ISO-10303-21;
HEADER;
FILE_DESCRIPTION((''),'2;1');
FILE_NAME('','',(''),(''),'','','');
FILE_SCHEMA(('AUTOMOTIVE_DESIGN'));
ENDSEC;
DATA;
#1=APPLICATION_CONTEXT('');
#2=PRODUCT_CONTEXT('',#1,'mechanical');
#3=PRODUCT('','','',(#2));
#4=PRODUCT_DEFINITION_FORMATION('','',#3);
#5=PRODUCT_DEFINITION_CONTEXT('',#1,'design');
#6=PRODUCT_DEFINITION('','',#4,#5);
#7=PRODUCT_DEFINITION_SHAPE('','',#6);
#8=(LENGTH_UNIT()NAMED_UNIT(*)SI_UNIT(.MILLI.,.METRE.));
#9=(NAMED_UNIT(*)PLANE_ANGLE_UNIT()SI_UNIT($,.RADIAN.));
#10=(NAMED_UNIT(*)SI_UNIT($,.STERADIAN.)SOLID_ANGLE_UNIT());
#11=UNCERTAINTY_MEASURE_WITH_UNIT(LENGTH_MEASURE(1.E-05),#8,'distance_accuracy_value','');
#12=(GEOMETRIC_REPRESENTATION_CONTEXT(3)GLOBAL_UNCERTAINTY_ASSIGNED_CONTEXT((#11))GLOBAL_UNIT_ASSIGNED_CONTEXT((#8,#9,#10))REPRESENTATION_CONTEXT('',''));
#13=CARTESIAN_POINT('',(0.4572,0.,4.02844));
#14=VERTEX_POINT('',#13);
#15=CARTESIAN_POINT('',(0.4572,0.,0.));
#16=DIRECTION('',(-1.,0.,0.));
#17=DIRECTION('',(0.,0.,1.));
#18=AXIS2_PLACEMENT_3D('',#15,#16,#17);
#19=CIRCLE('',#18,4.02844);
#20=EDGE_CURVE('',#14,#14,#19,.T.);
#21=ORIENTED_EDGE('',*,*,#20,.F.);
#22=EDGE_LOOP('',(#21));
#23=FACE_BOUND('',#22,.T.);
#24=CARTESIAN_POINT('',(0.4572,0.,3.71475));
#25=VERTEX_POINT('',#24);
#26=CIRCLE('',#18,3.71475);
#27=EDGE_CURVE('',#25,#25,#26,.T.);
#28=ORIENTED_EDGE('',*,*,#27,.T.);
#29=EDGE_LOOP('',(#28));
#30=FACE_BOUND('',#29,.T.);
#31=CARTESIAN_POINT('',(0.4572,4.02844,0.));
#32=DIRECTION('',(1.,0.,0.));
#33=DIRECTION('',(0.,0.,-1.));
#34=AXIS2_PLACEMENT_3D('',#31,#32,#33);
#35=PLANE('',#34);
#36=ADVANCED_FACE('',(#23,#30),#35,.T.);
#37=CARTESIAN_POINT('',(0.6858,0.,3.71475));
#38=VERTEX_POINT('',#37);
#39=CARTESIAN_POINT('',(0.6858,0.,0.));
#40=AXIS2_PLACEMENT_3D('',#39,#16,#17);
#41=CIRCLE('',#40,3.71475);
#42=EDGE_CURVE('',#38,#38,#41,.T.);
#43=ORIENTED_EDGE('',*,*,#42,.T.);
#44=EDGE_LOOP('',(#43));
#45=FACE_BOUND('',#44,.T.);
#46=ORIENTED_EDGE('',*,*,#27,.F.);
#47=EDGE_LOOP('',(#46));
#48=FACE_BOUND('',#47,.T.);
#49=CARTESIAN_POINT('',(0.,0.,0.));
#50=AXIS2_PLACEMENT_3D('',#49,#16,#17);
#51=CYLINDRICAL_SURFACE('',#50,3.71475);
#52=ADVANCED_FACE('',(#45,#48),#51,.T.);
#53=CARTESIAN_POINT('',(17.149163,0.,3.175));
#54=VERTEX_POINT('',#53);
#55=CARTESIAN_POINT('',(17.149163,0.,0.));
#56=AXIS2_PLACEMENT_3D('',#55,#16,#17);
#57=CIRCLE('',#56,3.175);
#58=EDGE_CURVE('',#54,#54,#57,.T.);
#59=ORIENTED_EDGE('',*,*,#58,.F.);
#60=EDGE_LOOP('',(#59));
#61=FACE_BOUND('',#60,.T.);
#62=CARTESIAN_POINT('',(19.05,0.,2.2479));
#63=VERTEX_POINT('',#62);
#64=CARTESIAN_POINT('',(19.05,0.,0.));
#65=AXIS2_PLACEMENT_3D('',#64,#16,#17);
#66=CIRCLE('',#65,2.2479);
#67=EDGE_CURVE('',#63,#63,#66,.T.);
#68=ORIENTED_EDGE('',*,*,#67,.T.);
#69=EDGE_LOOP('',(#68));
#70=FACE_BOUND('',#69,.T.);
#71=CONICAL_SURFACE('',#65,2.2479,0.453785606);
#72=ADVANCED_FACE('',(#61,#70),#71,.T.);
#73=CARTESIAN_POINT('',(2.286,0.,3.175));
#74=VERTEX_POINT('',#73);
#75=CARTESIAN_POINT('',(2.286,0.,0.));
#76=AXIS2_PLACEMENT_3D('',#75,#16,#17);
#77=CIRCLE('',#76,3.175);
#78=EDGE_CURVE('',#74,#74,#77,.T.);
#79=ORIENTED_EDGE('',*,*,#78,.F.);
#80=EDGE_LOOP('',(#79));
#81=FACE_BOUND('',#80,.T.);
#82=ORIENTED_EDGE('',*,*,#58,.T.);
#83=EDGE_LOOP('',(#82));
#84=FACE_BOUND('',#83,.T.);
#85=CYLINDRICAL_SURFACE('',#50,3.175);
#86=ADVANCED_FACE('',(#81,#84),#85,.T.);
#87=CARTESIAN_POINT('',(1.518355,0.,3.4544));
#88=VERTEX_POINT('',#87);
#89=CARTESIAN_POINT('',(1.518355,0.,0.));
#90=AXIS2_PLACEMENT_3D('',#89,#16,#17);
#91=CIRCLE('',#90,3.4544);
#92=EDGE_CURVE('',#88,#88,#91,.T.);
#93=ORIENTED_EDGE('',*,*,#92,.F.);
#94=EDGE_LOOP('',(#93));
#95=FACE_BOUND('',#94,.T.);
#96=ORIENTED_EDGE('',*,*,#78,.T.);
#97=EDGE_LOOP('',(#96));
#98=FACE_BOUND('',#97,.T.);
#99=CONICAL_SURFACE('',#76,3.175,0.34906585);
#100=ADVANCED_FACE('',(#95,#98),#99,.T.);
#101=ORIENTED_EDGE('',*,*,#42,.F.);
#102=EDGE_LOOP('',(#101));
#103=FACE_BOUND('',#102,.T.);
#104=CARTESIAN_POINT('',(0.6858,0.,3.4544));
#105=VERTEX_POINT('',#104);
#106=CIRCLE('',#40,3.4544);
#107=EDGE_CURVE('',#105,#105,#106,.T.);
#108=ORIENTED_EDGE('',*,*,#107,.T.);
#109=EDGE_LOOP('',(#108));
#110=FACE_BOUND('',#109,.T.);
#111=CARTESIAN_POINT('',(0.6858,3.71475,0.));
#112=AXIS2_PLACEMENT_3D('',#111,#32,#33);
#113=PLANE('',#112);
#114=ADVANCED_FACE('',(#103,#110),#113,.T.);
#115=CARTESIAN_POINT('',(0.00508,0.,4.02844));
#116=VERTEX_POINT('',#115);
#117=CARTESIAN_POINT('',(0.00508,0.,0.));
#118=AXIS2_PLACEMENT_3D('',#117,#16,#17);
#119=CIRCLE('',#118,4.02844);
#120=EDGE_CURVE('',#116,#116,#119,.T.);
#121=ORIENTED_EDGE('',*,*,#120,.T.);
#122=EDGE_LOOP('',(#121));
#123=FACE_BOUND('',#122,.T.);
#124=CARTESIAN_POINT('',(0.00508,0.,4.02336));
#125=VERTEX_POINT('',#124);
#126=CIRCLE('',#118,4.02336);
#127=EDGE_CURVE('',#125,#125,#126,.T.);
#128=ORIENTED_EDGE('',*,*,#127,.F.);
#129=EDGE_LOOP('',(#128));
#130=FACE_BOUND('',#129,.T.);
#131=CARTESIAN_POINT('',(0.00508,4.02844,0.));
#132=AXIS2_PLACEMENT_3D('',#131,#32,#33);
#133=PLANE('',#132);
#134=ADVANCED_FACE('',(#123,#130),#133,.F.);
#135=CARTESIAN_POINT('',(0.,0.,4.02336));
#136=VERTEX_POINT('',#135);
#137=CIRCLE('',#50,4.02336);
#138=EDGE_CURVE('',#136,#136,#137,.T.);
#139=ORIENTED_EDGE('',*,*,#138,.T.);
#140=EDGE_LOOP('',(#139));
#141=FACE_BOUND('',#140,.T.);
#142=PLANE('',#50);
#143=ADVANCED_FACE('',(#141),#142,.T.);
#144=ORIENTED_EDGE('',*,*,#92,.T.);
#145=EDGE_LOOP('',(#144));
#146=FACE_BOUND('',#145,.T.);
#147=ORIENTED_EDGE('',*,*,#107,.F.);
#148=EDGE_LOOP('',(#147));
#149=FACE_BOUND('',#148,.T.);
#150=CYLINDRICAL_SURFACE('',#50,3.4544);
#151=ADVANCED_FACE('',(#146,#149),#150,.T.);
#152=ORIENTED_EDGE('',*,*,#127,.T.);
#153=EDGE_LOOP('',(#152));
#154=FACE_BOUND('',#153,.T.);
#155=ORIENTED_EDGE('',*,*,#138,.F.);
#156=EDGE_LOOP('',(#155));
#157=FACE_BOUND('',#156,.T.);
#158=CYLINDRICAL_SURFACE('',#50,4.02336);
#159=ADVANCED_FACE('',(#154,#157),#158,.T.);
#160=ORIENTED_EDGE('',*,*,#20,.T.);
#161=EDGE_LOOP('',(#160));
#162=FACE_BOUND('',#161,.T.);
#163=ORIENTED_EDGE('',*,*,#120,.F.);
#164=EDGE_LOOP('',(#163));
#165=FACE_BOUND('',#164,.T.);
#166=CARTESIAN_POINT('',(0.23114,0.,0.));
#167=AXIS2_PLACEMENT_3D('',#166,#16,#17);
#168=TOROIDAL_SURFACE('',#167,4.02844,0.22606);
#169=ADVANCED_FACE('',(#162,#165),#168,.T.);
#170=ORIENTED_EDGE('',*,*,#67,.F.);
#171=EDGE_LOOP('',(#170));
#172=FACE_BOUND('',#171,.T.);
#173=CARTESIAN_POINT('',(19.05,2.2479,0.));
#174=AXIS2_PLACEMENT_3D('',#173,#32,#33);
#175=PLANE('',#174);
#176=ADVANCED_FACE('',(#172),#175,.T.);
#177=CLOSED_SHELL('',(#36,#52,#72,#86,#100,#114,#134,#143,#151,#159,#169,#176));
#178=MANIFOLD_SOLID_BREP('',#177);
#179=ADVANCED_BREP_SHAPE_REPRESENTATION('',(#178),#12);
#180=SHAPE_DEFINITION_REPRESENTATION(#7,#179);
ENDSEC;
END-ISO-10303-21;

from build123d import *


with BuildPart() as part:
    # BodySke → BaseBody (revolve)
    with BuildSketch(Plane.XY, mode=Mode.PRIVATE) as basebody_sk:
        with BuildLine():
            Line((0, 0), (0, 4.02336))
            Line((0, 4.02336), (0.00508, 4.02336))
            Line((0.00508, 4.02336), (0.00508, 4.02844))
            ThreePointArc((0.00508, 4.02844), (0.23114, 4.2545), (0.4572, 4.02844))
            Line((0.4572, 4.02844), (0.4572, 3.71475))
            Line((0.4572, 3.71475), (0.6858, 3.71475))
            Line((0.6858, 3.71475), (0.6858, 3.4544))
            Line((0.6858, 3.4544), (1.518354809, 3.4544))
            Line((1.518354809, 3.4544), (2.286, 3.175))
            Line((2.286, 3.175), (17.149163308, 3.175))
            Line((17.149163308, 3.175), (19.05, 2.2479))
            Line((19.05, 2.2479), (19.05, 0))
            Line((19.05, 0), (0, 0))
        make_face()
    revolve(basebody_sk.sketch.rotate(Axis((0, 0, 0), (1, 0, 0)), 90), axis=Axis((0, 0, 0), (1, 0, 0)))


solid = part.part
